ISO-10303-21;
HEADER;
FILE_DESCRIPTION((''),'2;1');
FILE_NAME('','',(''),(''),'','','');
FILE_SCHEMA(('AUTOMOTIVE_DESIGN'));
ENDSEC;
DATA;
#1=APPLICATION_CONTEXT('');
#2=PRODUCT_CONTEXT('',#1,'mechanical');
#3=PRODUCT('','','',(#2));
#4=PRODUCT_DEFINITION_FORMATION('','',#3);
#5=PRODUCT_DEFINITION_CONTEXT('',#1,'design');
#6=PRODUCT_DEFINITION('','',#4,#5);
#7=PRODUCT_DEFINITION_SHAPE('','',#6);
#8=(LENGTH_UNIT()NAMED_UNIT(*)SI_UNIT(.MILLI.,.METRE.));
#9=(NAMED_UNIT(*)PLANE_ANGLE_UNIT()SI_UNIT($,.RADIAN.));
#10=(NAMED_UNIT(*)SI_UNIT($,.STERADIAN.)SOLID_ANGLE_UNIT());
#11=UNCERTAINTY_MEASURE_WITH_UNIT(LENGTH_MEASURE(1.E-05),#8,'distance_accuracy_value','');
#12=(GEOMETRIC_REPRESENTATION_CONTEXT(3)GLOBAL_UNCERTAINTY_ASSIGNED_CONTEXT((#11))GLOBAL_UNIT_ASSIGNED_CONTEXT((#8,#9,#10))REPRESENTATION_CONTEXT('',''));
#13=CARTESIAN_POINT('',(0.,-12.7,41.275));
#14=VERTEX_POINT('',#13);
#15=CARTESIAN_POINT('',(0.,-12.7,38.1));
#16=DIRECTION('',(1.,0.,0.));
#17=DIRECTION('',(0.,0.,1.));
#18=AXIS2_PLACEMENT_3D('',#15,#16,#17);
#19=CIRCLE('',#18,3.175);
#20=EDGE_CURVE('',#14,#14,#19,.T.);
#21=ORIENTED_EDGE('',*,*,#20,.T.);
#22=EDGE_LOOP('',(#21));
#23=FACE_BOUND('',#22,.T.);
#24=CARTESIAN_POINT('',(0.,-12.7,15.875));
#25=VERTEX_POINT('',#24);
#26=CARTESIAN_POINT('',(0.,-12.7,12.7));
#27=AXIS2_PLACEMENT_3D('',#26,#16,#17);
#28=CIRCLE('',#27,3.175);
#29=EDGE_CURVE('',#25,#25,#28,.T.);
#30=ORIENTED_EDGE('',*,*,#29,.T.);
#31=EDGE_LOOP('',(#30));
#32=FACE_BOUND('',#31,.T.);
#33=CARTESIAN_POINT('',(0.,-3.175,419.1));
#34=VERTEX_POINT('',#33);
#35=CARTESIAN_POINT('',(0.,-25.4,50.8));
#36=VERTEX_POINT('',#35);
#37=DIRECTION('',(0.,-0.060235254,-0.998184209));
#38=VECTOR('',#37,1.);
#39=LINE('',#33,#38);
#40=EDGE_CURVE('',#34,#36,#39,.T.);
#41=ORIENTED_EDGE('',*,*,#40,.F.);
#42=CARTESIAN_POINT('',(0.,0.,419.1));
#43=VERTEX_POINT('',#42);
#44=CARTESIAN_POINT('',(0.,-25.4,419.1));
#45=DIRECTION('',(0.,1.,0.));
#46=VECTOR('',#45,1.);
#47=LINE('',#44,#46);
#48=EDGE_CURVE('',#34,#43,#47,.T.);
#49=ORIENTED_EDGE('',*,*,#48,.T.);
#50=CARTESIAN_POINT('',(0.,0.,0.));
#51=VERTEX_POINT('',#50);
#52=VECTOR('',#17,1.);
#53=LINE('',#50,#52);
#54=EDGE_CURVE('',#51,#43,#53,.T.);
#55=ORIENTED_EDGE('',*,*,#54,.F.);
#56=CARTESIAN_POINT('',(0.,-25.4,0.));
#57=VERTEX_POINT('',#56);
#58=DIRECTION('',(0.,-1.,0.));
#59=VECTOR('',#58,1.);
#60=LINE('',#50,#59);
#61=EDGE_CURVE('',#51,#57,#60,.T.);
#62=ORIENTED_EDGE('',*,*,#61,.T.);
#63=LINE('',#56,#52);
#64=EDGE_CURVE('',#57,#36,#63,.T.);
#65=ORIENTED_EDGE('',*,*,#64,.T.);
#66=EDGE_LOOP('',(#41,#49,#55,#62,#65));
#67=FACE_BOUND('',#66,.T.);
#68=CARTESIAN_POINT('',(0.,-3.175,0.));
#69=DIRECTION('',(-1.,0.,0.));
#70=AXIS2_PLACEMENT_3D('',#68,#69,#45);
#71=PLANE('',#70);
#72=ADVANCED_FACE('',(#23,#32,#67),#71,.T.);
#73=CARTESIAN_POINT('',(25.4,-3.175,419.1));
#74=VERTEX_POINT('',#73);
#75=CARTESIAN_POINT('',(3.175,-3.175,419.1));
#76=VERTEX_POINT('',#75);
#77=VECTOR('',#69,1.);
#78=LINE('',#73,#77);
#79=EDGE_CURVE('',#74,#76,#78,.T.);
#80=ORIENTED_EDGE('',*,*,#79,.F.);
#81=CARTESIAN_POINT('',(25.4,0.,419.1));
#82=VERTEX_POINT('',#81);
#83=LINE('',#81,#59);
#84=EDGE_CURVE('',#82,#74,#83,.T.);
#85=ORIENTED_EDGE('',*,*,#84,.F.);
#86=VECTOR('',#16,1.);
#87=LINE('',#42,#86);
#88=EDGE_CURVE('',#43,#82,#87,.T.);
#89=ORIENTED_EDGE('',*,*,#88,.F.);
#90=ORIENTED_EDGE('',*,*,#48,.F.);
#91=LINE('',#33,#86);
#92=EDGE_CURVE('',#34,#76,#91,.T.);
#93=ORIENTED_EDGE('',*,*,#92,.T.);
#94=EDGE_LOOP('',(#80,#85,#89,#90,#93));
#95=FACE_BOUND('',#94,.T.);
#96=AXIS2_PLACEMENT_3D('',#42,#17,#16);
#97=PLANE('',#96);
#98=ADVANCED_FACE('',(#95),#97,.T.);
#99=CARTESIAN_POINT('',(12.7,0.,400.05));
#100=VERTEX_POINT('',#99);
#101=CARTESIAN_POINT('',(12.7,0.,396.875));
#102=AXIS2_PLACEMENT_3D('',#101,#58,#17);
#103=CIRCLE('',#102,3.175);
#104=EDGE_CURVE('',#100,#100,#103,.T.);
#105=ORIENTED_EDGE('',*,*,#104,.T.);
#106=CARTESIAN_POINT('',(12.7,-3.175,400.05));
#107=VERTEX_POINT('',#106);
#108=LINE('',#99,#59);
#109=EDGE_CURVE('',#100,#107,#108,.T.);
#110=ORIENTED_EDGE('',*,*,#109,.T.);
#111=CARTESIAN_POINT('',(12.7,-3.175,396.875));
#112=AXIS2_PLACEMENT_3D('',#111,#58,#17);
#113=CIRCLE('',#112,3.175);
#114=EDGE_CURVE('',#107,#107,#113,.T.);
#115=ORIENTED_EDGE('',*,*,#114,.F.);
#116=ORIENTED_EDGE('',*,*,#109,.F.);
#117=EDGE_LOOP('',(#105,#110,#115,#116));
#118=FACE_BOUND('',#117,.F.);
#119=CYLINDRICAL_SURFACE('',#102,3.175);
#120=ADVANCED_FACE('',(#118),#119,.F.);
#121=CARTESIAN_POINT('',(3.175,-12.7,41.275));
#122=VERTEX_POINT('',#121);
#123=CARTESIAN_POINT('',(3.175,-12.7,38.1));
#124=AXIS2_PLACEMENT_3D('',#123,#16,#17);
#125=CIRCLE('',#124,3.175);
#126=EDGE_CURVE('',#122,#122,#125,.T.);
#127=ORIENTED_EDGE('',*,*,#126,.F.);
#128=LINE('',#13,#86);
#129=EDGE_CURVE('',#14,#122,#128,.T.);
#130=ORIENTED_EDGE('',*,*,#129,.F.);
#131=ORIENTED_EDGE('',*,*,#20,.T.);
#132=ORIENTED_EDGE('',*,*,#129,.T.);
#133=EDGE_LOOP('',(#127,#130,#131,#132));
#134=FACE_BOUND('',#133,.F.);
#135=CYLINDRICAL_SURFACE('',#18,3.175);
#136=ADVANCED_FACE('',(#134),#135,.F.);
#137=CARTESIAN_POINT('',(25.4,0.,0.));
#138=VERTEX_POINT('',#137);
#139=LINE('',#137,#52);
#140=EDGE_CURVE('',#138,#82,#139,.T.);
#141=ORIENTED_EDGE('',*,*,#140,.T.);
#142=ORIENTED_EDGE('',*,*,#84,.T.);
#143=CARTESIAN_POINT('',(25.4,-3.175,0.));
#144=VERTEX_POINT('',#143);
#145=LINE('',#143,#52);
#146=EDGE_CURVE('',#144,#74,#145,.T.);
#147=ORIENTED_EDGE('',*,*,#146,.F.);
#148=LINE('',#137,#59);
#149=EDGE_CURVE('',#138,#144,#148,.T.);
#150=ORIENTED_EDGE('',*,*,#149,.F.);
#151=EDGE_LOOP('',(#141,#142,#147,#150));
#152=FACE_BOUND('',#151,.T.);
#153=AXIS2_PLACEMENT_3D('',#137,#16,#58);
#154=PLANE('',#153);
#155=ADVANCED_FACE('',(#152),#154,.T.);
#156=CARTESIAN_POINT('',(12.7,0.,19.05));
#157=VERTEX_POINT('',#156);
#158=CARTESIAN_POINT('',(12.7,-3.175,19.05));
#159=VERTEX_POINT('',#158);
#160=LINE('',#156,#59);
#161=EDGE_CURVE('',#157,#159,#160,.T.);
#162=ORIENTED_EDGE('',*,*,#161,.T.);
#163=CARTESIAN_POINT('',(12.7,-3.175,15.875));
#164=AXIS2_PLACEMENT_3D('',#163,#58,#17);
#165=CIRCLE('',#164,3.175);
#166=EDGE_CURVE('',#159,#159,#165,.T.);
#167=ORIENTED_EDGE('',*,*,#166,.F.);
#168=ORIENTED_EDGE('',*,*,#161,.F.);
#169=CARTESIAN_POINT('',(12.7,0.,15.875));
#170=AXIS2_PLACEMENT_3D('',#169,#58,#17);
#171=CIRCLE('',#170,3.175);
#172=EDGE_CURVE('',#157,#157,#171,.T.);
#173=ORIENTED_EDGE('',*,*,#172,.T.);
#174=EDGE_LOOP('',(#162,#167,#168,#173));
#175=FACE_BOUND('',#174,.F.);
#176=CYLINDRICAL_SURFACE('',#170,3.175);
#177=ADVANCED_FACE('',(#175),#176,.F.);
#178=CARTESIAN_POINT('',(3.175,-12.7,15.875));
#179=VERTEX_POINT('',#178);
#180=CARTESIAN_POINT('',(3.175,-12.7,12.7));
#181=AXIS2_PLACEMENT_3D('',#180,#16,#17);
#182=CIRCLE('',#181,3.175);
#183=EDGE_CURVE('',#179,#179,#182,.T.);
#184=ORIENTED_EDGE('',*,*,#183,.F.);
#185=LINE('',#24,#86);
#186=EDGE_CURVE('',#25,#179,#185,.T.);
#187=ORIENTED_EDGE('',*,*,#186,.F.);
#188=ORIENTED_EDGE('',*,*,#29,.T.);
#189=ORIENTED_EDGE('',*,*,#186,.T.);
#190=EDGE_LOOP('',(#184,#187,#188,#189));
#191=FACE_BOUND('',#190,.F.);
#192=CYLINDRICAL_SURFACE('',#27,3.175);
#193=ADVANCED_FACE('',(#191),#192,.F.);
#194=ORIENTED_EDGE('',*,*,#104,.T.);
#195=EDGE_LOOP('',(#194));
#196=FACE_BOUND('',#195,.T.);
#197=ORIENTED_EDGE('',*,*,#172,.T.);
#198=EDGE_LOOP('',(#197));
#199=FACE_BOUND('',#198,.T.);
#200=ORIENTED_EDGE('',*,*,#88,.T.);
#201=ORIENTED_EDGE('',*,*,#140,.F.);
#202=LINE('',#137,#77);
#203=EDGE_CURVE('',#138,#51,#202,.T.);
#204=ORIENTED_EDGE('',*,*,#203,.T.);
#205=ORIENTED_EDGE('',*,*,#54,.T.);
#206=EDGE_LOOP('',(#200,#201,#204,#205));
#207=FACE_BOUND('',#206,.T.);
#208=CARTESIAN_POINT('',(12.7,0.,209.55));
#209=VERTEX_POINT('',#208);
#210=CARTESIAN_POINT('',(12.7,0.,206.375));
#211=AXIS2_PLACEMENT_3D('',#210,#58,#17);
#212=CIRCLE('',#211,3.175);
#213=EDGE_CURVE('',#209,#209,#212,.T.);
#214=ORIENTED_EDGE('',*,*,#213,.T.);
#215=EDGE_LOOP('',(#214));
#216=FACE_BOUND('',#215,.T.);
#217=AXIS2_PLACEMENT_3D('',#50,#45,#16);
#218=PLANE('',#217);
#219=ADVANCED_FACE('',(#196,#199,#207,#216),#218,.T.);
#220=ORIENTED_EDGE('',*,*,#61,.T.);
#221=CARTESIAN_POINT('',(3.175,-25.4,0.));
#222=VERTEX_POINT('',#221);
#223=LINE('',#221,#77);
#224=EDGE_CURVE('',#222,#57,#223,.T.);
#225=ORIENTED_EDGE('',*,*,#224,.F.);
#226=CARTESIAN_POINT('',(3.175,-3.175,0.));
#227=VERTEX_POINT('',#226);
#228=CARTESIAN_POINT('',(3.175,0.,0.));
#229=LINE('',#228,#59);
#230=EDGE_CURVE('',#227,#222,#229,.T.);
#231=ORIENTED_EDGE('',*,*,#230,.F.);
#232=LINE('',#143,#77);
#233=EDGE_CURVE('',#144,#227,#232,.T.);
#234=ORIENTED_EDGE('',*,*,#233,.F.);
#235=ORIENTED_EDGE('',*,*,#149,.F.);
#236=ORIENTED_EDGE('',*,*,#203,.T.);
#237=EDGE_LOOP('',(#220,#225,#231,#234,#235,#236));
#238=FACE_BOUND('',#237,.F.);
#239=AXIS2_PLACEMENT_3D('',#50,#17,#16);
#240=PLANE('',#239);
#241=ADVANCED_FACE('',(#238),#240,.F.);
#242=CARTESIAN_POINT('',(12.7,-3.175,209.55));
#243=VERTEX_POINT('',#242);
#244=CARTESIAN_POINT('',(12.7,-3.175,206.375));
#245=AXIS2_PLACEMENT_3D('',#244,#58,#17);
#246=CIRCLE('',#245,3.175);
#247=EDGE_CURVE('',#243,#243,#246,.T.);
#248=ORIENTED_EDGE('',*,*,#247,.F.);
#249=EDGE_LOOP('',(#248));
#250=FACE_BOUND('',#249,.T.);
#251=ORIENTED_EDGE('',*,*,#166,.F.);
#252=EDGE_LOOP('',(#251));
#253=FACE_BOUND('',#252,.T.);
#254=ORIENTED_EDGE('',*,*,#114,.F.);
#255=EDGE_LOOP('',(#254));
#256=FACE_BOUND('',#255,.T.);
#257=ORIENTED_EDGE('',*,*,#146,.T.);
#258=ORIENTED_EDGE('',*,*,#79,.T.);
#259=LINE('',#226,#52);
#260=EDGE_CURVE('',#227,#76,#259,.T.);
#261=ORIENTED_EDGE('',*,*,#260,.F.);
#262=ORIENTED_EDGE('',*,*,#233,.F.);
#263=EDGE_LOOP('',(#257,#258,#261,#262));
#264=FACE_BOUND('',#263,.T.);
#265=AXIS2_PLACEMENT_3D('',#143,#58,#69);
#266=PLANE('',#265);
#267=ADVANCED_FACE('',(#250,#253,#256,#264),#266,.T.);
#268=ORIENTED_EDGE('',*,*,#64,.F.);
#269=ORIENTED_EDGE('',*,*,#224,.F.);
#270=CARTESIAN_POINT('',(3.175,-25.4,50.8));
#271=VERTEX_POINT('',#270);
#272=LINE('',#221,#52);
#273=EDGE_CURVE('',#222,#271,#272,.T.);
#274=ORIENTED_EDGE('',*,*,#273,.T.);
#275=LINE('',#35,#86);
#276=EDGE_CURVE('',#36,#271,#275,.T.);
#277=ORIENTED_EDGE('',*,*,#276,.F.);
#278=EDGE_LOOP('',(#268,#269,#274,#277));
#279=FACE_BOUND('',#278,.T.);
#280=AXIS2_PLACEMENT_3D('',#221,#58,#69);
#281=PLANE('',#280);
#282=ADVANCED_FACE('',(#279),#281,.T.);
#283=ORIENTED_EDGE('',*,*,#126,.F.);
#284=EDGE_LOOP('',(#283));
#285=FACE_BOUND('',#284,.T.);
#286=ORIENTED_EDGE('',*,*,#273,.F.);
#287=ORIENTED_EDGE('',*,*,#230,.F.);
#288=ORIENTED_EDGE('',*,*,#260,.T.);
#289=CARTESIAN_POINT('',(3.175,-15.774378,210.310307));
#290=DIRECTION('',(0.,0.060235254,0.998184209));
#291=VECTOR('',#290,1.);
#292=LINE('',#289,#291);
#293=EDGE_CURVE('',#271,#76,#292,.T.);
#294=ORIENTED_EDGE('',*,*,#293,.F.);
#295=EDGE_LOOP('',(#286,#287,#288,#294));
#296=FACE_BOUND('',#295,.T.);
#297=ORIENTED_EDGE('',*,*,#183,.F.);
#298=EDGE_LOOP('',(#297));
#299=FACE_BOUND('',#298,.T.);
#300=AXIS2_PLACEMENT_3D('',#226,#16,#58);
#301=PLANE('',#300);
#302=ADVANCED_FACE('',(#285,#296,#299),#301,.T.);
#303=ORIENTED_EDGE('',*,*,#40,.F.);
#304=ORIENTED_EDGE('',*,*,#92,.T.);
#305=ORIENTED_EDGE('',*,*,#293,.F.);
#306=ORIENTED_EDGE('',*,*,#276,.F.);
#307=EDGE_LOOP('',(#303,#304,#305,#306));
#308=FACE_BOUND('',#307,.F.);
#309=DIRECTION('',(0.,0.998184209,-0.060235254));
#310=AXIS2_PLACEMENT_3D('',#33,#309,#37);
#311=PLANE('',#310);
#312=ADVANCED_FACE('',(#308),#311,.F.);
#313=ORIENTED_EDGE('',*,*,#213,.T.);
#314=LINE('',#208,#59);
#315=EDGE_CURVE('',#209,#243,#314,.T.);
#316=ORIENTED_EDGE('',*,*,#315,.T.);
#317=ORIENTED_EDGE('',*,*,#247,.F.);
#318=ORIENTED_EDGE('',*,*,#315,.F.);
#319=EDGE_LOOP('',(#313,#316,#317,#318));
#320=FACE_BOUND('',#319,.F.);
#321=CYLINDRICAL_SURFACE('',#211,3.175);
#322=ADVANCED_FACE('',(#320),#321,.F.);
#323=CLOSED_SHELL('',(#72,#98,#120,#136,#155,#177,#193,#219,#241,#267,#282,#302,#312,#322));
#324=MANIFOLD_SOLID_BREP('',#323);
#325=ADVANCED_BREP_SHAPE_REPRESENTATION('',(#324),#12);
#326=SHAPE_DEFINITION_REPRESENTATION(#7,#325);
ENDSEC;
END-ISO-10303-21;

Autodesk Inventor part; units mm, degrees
ref_plane "YZ Plane" through (0, 0, 0) normal (1, 0, 0) x (0, 1, 0)
ref_plane "XZ Plane" through (0, 0, 0) normal (0, 1, 0) x (-1, 0, 0)
ref_plane "XY Plane" through (0, 0, 0) normal (0, 0, 1) x (1, 0, 0)
sketch "Sketch1" plane through (0, 0, 0) normal (0, 0, 1) x (1, 0, 0)
  line L0 (0, 0) -> (25.4, 0)
  line L1 (25.4, 0) -> (25.4, -3.175)
  line L2 (25.4, -3.175) -> (0, -3.175)
  line L3 (0, -3.175) -> (0, 0)
  line L4 (0, 0) -> (3.175, 0)
  line L5 (3.175, 0) -> (3.175, -25.4)
  line L6 (3.175, -25.4) -> (0, -25.4)
  line L7 (0, -25.4) -> (0, 0)
  dimension "d0" = 25.4
  dimension "d1" = 3.175
  dimension "d2" = 3.175
  dimension "d3" = 25.4
extrude "Extrusion1" add sketch "Sketch1" along normal blind 419.1
sketch "Sketch2" plane through (0, -25.4, 0) normal (-1, 0, 0) x (0, 0, 1)
  line L0 (419.1, 25.4) -> (419.1, 0) projected
  line L1 (0, 25.4) -> (419.1, 25.4) projected
  line L2 (0, 25.4) -> (0, 0) projected
  line L3 (0, 0) -> (419.1, 0) projected
  line L4 (0, 0) -> (50.8, 0) construction
  line L5 (0, 0) -> (419.1, 0) construction
  line L6 (419.1, 25.4) -> (419.1, 22.225) construction
  line L7 (419.1, 0) -> (419.1, 22.225) construction
  line L8 (419.1, 22.225) -> (50.8, 0)
  line L9 (50.8, 0) -> (419.1, 0)
  line L10 (419.1, 22.225) -> (0, 22.225) projected
  line L11 (419.1, 0) -> (419.1, 22.225)
  dimension "d6" = 50.8
  dimension "d7" = 3.175
extrude "Extrusion2" cut sketch "Sketch2" against normal blind 431.8 contours L0 L3 L8
sketch "Sketch3" plane through (0, -25.4, 0) normal (-1, 0, 0) x (0, 0, 1)
  line L0 (50.8, 0) -> (419.1, 22.225) projected
  line L1 (419.1, 25.4) -> (419.1, 22.225) projected
  line L2 (0, 25.4) -> (419.1, 25.4) projected
  line L3 (0, 25.4) -> (0, 0) projected
  line L4 (0, 0) -> (50.8, 0) projected
  point P0 (12.7, 12.7)
  point P1 (38.1, 12.7)
  dimension "d10" = 12.7
  dimension "d11" = 12.7
  dimension "d12" = 38.1
  dimension "d13" = 12.7
hole "Hole1" at (0, -12.7, 12.7) at (0, -12.7, 38.1) direction (1, 0, 0) diameter 6.35 end through all
sketch "Sketch4" plane through (0, 0, 0) normal (0, 1, 0) x (1, 0, 0)
  line L0 (25.4, 0) -> (0, 0) projected
  line L1 (0, 0) -> (0, -419.1) projected
  line L2 (25.4, -419.1) -> (0, -419.1) projected
  line L3 (25.4, 0) -> (25.4, -419.1) projected
  point P0 (12.7, -15.875)
  point P1 (12.7, -206.375)
  point P2 (12.7, -396.875)
  dimension "d21" = 12.7
  dimension "d22" = 15.875
  dimension "d23" = 206.375
  dimension "d24" = 12.7
  dimension "d25" = 12.7
  dimension "d26" = 22.225
hole "Hole2" at (12.7, 0, 15.875) at (12.7, 0, 206.375) at (12.7, 0, 396.875) direction (0, -1, 0) diameter 6.35 end through all
properties part number "1x1 lengthwise left"
